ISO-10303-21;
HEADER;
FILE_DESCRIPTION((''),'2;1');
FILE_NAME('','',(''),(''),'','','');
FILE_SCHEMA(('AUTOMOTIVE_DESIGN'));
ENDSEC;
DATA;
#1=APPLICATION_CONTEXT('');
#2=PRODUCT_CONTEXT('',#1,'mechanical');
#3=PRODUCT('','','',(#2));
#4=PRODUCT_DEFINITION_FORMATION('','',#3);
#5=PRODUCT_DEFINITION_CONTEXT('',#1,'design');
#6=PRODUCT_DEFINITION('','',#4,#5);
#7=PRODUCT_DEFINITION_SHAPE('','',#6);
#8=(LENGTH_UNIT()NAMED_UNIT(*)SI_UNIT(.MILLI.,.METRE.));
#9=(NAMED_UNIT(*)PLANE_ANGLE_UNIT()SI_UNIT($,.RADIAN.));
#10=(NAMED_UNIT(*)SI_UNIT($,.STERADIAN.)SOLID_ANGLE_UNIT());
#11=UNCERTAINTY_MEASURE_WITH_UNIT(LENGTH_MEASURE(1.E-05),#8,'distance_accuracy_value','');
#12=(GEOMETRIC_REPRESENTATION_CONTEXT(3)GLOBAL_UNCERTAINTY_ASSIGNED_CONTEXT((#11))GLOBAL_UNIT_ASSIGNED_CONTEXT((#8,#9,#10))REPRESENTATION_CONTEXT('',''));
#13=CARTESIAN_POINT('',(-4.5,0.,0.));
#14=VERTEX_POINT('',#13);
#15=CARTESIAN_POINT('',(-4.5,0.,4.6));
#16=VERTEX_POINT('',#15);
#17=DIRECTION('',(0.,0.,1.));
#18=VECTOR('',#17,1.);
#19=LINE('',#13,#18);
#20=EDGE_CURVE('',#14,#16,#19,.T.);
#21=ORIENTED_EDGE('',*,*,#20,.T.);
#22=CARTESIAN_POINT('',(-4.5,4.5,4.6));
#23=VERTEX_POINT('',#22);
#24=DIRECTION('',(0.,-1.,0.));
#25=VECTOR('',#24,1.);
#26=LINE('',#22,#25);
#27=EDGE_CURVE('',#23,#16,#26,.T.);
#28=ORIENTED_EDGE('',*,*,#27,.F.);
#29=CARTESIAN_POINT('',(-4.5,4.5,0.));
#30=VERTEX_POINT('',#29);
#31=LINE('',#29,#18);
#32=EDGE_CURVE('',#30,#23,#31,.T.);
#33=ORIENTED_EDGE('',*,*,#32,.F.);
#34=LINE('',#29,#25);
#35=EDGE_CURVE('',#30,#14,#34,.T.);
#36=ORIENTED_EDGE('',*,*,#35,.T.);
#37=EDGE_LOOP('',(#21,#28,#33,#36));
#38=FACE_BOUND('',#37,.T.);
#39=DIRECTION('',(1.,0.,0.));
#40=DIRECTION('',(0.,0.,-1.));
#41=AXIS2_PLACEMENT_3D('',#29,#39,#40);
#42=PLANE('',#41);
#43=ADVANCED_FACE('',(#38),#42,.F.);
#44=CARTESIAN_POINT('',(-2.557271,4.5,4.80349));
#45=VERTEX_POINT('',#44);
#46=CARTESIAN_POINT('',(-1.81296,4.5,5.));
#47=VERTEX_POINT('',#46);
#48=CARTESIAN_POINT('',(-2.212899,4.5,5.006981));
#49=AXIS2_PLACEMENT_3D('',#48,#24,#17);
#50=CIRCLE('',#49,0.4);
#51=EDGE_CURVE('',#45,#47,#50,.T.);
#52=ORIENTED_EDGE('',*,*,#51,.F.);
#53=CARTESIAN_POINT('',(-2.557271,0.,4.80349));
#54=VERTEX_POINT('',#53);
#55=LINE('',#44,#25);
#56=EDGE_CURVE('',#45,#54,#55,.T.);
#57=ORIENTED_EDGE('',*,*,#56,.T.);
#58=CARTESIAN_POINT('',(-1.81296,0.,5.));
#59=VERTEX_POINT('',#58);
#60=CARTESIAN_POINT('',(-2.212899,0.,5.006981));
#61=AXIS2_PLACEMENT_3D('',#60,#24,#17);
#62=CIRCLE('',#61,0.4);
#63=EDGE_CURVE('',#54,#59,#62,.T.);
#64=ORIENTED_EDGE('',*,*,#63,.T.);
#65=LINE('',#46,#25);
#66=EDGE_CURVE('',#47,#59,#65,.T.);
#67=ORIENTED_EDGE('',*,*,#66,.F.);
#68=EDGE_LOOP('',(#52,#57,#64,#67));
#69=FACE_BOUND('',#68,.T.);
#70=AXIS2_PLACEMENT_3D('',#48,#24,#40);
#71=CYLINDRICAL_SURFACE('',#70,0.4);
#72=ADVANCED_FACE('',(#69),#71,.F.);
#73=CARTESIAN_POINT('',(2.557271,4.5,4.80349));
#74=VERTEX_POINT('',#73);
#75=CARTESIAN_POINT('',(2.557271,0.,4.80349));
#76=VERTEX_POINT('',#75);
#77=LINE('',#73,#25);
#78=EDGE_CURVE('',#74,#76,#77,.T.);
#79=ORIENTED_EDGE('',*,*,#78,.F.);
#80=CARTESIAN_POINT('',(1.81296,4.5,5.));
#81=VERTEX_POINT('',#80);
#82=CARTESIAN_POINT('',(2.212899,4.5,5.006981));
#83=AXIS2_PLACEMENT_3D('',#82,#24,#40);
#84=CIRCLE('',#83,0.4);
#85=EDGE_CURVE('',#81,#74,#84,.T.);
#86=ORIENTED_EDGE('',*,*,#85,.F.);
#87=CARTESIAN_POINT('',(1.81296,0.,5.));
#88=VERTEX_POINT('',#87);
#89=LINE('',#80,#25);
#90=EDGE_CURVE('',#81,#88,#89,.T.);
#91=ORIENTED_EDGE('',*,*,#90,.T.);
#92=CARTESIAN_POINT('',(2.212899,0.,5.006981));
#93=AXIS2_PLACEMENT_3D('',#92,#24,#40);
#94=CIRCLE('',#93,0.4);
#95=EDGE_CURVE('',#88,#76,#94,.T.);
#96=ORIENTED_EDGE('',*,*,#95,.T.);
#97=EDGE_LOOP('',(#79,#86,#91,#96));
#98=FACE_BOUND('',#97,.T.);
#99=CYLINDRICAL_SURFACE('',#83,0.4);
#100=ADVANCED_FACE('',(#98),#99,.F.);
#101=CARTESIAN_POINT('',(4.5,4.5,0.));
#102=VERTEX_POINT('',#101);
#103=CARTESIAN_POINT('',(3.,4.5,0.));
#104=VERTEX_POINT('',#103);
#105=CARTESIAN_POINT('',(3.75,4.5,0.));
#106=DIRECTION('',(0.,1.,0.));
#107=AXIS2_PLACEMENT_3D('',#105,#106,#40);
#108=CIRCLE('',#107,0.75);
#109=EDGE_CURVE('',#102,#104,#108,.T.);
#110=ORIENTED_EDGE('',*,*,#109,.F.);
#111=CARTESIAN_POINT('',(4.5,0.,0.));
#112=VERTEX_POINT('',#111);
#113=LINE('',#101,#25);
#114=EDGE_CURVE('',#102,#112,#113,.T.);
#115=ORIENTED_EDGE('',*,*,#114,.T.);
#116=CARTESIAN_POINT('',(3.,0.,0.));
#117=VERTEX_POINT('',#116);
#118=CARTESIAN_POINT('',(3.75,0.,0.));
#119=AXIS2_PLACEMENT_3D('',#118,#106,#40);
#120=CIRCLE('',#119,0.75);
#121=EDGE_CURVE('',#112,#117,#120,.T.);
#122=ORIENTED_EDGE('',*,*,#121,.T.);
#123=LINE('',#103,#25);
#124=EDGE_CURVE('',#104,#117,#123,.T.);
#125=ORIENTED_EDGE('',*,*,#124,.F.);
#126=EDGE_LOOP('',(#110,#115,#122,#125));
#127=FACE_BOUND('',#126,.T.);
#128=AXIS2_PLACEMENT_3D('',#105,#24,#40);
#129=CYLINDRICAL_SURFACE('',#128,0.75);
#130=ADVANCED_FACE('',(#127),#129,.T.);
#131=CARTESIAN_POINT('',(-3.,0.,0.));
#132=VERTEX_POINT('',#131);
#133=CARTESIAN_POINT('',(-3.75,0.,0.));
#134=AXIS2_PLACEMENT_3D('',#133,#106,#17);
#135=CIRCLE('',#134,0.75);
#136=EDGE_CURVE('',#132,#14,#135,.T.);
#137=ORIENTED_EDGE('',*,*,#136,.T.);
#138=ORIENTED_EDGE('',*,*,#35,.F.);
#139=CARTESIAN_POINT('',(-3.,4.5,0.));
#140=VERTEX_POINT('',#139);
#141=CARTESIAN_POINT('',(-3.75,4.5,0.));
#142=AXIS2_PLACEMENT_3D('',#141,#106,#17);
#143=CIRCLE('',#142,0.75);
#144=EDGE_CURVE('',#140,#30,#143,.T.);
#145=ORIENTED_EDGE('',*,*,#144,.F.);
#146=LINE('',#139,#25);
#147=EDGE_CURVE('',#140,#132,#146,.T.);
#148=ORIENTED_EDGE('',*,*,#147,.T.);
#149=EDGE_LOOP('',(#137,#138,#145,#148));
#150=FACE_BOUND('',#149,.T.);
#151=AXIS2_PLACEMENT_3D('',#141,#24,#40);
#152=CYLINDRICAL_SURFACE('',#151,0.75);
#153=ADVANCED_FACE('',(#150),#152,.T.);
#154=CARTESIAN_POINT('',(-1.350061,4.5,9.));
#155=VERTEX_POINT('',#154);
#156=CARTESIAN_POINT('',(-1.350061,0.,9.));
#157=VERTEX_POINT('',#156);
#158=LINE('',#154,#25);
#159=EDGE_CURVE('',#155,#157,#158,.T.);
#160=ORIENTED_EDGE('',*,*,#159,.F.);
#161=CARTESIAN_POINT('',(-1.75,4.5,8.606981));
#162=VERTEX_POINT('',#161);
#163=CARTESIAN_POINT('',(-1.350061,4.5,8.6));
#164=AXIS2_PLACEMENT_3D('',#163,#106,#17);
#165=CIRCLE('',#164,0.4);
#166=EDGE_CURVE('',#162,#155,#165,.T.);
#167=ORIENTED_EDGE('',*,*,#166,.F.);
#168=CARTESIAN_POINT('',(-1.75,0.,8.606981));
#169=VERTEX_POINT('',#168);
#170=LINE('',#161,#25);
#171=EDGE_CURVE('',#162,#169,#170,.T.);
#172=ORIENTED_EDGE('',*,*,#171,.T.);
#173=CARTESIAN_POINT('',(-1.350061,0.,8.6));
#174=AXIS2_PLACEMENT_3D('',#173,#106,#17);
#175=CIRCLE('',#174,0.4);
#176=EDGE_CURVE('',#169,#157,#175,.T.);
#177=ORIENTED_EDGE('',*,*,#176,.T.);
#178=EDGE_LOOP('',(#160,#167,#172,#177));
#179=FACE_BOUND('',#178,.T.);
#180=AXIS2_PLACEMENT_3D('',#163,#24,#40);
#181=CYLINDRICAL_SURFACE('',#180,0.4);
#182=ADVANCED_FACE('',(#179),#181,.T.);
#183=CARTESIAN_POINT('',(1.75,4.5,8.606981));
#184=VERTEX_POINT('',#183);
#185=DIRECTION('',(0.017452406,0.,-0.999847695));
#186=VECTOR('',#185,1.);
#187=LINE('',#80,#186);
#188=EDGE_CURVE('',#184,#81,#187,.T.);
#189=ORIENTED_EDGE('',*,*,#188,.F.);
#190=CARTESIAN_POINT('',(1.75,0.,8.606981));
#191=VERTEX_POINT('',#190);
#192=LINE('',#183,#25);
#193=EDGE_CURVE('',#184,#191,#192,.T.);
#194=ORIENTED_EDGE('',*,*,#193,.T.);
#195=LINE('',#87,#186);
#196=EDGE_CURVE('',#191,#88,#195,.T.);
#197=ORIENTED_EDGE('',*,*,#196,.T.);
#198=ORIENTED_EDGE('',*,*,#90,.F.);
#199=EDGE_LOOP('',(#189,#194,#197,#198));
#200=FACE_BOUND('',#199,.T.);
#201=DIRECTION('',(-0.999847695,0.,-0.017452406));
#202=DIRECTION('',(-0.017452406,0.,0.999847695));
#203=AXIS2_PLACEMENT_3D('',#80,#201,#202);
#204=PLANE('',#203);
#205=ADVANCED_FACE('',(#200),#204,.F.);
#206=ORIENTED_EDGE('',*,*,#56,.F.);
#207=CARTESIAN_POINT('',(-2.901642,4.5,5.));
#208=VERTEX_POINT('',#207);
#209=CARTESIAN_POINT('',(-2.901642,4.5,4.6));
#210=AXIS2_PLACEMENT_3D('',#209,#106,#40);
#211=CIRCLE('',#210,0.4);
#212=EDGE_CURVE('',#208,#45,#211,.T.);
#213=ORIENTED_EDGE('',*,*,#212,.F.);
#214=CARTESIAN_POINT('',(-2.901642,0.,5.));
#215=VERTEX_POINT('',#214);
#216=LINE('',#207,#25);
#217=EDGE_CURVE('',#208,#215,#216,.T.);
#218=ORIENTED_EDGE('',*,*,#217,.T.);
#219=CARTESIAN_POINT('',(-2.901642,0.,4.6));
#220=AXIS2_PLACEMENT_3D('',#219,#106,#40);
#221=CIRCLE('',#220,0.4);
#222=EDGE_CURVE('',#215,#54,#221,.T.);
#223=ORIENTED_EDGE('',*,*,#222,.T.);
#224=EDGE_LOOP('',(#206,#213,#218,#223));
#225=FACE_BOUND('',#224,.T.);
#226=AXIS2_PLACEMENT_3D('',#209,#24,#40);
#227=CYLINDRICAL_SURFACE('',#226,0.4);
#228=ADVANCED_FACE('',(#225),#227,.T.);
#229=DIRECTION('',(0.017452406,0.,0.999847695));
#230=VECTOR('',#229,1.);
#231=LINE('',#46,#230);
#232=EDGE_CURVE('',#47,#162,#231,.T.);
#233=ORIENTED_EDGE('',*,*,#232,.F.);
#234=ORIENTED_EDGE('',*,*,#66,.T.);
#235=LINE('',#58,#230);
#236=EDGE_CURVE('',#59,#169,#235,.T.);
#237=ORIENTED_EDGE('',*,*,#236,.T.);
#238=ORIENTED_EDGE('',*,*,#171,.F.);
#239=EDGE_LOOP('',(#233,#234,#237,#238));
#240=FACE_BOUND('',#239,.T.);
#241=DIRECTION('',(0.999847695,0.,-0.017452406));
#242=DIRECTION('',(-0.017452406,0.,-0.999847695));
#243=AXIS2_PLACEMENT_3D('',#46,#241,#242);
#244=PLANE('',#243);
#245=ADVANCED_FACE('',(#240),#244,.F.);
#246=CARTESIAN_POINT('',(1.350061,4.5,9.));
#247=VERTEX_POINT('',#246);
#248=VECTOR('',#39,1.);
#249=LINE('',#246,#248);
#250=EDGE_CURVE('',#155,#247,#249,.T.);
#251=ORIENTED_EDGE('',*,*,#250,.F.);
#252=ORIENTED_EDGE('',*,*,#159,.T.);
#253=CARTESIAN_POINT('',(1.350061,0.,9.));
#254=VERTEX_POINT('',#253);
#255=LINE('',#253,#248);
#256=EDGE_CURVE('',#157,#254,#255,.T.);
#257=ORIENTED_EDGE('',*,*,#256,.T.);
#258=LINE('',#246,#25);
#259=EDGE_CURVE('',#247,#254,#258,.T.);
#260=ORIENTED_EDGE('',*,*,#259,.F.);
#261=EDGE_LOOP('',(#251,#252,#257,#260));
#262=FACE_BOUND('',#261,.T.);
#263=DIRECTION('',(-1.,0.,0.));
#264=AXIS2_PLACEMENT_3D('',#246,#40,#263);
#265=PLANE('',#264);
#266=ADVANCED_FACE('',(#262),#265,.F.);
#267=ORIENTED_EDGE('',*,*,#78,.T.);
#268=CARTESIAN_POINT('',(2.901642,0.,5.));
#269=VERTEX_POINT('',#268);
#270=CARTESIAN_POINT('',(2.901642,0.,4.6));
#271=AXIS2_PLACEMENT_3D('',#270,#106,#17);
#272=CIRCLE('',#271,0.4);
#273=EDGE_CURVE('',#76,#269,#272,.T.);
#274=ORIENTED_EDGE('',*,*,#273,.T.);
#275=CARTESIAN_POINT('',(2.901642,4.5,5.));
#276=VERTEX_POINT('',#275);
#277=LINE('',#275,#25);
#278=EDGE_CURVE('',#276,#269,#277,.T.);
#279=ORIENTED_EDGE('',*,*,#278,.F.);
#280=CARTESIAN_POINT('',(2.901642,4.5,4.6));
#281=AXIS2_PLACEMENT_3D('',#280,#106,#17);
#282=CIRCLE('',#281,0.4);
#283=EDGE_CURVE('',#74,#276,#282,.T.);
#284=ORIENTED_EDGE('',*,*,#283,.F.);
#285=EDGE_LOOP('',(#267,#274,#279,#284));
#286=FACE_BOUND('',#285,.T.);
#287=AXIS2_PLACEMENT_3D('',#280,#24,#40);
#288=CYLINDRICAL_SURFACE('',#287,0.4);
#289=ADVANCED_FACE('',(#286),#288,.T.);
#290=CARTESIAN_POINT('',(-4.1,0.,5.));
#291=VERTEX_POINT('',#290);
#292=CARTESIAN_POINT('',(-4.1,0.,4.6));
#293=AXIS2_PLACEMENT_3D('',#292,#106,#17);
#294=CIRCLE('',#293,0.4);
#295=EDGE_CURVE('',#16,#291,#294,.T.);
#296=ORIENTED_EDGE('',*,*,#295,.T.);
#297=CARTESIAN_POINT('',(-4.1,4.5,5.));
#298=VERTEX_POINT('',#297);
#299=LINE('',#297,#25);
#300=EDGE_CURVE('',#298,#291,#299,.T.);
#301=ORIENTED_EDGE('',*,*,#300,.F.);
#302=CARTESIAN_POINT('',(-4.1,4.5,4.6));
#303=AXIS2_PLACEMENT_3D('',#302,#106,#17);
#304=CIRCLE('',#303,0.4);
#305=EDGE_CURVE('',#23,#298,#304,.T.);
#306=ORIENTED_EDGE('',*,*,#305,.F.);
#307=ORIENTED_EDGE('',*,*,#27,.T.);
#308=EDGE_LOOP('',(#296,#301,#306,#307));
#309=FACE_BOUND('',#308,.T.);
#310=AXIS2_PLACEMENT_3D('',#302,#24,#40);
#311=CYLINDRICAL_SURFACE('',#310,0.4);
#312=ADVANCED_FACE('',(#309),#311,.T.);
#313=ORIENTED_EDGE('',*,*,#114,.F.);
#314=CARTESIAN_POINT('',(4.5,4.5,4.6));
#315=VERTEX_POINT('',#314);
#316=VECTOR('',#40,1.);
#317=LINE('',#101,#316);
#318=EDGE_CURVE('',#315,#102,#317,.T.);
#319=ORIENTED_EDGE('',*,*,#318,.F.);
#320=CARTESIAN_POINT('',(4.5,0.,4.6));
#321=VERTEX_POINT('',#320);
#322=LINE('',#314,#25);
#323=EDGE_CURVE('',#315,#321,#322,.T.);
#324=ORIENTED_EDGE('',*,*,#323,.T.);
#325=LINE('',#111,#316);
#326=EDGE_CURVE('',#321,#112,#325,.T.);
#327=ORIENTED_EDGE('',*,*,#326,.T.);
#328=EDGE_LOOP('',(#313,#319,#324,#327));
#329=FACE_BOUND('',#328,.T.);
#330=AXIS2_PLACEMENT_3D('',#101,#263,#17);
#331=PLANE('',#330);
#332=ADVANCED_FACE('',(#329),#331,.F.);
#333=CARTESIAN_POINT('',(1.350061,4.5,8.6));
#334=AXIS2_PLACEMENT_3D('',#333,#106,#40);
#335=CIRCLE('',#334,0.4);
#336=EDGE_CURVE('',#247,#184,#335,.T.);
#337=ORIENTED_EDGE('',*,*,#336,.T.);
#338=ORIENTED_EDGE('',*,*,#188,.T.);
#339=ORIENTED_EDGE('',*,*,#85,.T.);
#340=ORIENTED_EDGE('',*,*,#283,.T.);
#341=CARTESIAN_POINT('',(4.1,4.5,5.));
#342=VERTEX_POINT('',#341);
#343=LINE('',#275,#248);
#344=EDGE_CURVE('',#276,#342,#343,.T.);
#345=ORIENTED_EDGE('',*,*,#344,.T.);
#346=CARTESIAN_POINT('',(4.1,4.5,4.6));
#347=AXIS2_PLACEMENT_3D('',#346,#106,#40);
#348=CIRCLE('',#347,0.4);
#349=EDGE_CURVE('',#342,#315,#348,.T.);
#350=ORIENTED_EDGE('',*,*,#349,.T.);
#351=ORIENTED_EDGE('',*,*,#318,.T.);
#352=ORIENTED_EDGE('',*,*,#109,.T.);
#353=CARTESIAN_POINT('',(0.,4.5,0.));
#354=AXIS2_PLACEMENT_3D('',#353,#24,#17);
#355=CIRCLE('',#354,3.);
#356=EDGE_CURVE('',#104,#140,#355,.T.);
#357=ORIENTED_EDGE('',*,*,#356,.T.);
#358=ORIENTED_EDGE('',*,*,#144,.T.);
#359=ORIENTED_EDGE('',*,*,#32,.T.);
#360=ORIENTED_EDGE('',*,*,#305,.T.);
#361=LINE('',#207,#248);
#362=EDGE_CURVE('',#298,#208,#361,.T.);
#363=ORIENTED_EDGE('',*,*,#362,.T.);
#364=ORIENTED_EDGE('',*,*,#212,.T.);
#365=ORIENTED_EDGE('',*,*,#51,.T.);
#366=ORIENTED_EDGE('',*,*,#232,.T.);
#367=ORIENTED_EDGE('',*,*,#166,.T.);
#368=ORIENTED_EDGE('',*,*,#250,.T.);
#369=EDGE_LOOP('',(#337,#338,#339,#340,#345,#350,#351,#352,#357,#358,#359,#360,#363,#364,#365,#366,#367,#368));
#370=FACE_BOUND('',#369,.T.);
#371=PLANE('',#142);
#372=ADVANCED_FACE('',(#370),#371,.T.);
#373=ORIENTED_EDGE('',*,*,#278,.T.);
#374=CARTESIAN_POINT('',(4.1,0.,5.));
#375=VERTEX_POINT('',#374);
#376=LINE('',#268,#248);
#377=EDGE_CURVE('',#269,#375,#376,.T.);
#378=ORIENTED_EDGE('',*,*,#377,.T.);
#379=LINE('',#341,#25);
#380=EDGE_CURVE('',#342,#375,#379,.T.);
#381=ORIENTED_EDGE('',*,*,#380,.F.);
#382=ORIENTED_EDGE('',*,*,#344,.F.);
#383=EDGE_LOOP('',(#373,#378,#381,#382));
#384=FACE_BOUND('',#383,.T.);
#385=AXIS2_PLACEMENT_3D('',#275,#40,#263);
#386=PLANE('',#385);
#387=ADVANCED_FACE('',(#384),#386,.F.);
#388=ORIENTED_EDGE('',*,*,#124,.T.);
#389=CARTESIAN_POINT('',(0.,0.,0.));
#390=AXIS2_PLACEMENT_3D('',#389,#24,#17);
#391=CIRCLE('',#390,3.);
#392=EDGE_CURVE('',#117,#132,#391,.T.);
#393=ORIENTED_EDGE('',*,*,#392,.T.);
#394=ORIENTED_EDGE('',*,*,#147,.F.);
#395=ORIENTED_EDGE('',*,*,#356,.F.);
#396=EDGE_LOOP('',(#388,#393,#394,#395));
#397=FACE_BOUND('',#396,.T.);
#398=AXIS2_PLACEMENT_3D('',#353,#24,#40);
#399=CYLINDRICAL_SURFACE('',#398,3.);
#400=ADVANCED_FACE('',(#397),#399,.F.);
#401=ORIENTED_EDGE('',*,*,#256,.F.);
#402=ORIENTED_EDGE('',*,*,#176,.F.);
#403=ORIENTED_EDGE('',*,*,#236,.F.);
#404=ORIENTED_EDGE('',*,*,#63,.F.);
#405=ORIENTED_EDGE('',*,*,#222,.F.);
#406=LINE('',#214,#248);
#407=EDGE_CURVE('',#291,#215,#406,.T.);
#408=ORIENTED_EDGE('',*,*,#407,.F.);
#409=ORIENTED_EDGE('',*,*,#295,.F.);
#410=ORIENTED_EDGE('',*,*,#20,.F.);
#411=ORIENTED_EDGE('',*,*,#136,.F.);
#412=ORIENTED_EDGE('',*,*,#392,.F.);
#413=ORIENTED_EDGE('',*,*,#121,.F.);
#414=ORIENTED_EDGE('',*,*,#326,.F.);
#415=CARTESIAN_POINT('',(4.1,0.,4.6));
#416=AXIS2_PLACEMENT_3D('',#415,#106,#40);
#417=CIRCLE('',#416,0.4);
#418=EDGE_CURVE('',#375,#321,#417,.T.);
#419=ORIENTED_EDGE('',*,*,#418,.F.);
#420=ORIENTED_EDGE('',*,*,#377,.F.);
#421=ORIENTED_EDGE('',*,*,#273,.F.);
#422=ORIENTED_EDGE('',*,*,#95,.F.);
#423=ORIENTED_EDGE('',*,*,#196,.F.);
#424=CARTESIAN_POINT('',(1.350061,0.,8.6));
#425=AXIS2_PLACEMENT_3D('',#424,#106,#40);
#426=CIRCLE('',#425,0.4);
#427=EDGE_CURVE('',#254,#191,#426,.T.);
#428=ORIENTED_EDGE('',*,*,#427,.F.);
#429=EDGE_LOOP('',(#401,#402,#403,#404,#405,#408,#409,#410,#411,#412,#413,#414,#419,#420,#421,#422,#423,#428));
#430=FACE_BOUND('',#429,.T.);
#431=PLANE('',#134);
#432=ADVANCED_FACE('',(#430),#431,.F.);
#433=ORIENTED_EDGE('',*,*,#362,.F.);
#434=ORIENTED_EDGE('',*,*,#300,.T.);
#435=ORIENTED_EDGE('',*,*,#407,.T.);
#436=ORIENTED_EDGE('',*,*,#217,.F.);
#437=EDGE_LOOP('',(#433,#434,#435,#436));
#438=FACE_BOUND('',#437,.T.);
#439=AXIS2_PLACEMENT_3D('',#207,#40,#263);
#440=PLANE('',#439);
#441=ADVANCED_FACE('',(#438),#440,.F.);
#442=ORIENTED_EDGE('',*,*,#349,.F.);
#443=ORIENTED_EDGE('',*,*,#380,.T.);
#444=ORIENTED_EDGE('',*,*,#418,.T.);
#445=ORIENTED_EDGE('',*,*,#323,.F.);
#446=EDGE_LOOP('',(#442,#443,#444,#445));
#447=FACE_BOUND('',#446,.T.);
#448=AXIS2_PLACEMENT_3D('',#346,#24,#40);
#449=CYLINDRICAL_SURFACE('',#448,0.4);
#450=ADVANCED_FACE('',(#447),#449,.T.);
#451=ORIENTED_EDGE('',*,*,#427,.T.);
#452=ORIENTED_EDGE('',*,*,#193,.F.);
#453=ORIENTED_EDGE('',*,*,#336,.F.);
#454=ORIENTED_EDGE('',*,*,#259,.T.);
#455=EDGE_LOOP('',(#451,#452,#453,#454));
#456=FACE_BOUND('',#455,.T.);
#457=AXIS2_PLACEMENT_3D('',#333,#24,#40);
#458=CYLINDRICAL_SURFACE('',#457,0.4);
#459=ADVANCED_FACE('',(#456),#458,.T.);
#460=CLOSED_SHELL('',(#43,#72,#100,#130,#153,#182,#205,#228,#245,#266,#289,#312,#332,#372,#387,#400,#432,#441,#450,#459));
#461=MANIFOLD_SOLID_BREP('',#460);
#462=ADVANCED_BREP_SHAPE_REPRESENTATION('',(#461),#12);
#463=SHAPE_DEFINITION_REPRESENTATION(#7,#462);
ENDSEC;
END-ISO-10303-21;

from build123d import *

# Parameters (mm, degrees)
BOSS_EXTRUDE1_DEPTH = 4.5


with BuildPart() as part:
    # Sketch1 → Boss-Extrude1 (new body)
    with BuildSketch(Plane(origin=(0, 0, 0), x_dir=(1, 0, 0), z_dir=(0, 1, 0))):
        with BuildLine():
            Line((-4.5, 0), (-4.5, -4.6))
            ThreePointArc((-4.5, -4.6), (-4.382842712, -4.882842712), (-4.1, -5))
            Line((-4.1, -5), (-2.901641857, -5))
            ThreePointArc((-2.901641857, -5), (-2.70339478, -4.947416315), (-2.557270511, -4.803490481))
            ThreePointArc((-2.557270511, -4.803490481), (-2.110791668, -4.620232906), (-1.812960087, -5))
            Line((-1.812960087, -5), (-1.75, -8.606980963))
            ThreePointArc((-1.75, -8.606980963), (-1.630424628, -8.88530018), (-1.350060922, -9))
            Line((-1.350060922, -9), (1.350060922, -9))
            ThreePointArc((1.350060922, -9), (1.630424628, -8.88530018), (1.75, -8.606980963))
            Line((1.75, -8.606980963), (1.812960087, -5))
            ThreePointArc((1.812960087, -5), (2.110791668, -4.620232906), (2.557270511, -4.803490481))
            ThreePointArc((2.557270511, -4.803490481), (2.70339478, -4.947416315), (2.901641857, -5))
            Line((2.901641857, -5), (4.1, -5))
            ThreePointArc((4.1, -5), (4.382842712, -4.882842712), (4.5, -4.6))
            Line((4.5, -4.6), (4.5, 0))
            ThreePointArc((4.5, 0), (3.75, 0.75), (3, 0))
            ThreePointArc((3, 0), (0, -3), (-3, 0))
            ThreePointArc((-3, 0), (-3.75, 0.75), (-4.5, 0))
        make_face()
    extrude(amount=BOSS_EXTRUDE1_DEPTH)


solid = part.part
